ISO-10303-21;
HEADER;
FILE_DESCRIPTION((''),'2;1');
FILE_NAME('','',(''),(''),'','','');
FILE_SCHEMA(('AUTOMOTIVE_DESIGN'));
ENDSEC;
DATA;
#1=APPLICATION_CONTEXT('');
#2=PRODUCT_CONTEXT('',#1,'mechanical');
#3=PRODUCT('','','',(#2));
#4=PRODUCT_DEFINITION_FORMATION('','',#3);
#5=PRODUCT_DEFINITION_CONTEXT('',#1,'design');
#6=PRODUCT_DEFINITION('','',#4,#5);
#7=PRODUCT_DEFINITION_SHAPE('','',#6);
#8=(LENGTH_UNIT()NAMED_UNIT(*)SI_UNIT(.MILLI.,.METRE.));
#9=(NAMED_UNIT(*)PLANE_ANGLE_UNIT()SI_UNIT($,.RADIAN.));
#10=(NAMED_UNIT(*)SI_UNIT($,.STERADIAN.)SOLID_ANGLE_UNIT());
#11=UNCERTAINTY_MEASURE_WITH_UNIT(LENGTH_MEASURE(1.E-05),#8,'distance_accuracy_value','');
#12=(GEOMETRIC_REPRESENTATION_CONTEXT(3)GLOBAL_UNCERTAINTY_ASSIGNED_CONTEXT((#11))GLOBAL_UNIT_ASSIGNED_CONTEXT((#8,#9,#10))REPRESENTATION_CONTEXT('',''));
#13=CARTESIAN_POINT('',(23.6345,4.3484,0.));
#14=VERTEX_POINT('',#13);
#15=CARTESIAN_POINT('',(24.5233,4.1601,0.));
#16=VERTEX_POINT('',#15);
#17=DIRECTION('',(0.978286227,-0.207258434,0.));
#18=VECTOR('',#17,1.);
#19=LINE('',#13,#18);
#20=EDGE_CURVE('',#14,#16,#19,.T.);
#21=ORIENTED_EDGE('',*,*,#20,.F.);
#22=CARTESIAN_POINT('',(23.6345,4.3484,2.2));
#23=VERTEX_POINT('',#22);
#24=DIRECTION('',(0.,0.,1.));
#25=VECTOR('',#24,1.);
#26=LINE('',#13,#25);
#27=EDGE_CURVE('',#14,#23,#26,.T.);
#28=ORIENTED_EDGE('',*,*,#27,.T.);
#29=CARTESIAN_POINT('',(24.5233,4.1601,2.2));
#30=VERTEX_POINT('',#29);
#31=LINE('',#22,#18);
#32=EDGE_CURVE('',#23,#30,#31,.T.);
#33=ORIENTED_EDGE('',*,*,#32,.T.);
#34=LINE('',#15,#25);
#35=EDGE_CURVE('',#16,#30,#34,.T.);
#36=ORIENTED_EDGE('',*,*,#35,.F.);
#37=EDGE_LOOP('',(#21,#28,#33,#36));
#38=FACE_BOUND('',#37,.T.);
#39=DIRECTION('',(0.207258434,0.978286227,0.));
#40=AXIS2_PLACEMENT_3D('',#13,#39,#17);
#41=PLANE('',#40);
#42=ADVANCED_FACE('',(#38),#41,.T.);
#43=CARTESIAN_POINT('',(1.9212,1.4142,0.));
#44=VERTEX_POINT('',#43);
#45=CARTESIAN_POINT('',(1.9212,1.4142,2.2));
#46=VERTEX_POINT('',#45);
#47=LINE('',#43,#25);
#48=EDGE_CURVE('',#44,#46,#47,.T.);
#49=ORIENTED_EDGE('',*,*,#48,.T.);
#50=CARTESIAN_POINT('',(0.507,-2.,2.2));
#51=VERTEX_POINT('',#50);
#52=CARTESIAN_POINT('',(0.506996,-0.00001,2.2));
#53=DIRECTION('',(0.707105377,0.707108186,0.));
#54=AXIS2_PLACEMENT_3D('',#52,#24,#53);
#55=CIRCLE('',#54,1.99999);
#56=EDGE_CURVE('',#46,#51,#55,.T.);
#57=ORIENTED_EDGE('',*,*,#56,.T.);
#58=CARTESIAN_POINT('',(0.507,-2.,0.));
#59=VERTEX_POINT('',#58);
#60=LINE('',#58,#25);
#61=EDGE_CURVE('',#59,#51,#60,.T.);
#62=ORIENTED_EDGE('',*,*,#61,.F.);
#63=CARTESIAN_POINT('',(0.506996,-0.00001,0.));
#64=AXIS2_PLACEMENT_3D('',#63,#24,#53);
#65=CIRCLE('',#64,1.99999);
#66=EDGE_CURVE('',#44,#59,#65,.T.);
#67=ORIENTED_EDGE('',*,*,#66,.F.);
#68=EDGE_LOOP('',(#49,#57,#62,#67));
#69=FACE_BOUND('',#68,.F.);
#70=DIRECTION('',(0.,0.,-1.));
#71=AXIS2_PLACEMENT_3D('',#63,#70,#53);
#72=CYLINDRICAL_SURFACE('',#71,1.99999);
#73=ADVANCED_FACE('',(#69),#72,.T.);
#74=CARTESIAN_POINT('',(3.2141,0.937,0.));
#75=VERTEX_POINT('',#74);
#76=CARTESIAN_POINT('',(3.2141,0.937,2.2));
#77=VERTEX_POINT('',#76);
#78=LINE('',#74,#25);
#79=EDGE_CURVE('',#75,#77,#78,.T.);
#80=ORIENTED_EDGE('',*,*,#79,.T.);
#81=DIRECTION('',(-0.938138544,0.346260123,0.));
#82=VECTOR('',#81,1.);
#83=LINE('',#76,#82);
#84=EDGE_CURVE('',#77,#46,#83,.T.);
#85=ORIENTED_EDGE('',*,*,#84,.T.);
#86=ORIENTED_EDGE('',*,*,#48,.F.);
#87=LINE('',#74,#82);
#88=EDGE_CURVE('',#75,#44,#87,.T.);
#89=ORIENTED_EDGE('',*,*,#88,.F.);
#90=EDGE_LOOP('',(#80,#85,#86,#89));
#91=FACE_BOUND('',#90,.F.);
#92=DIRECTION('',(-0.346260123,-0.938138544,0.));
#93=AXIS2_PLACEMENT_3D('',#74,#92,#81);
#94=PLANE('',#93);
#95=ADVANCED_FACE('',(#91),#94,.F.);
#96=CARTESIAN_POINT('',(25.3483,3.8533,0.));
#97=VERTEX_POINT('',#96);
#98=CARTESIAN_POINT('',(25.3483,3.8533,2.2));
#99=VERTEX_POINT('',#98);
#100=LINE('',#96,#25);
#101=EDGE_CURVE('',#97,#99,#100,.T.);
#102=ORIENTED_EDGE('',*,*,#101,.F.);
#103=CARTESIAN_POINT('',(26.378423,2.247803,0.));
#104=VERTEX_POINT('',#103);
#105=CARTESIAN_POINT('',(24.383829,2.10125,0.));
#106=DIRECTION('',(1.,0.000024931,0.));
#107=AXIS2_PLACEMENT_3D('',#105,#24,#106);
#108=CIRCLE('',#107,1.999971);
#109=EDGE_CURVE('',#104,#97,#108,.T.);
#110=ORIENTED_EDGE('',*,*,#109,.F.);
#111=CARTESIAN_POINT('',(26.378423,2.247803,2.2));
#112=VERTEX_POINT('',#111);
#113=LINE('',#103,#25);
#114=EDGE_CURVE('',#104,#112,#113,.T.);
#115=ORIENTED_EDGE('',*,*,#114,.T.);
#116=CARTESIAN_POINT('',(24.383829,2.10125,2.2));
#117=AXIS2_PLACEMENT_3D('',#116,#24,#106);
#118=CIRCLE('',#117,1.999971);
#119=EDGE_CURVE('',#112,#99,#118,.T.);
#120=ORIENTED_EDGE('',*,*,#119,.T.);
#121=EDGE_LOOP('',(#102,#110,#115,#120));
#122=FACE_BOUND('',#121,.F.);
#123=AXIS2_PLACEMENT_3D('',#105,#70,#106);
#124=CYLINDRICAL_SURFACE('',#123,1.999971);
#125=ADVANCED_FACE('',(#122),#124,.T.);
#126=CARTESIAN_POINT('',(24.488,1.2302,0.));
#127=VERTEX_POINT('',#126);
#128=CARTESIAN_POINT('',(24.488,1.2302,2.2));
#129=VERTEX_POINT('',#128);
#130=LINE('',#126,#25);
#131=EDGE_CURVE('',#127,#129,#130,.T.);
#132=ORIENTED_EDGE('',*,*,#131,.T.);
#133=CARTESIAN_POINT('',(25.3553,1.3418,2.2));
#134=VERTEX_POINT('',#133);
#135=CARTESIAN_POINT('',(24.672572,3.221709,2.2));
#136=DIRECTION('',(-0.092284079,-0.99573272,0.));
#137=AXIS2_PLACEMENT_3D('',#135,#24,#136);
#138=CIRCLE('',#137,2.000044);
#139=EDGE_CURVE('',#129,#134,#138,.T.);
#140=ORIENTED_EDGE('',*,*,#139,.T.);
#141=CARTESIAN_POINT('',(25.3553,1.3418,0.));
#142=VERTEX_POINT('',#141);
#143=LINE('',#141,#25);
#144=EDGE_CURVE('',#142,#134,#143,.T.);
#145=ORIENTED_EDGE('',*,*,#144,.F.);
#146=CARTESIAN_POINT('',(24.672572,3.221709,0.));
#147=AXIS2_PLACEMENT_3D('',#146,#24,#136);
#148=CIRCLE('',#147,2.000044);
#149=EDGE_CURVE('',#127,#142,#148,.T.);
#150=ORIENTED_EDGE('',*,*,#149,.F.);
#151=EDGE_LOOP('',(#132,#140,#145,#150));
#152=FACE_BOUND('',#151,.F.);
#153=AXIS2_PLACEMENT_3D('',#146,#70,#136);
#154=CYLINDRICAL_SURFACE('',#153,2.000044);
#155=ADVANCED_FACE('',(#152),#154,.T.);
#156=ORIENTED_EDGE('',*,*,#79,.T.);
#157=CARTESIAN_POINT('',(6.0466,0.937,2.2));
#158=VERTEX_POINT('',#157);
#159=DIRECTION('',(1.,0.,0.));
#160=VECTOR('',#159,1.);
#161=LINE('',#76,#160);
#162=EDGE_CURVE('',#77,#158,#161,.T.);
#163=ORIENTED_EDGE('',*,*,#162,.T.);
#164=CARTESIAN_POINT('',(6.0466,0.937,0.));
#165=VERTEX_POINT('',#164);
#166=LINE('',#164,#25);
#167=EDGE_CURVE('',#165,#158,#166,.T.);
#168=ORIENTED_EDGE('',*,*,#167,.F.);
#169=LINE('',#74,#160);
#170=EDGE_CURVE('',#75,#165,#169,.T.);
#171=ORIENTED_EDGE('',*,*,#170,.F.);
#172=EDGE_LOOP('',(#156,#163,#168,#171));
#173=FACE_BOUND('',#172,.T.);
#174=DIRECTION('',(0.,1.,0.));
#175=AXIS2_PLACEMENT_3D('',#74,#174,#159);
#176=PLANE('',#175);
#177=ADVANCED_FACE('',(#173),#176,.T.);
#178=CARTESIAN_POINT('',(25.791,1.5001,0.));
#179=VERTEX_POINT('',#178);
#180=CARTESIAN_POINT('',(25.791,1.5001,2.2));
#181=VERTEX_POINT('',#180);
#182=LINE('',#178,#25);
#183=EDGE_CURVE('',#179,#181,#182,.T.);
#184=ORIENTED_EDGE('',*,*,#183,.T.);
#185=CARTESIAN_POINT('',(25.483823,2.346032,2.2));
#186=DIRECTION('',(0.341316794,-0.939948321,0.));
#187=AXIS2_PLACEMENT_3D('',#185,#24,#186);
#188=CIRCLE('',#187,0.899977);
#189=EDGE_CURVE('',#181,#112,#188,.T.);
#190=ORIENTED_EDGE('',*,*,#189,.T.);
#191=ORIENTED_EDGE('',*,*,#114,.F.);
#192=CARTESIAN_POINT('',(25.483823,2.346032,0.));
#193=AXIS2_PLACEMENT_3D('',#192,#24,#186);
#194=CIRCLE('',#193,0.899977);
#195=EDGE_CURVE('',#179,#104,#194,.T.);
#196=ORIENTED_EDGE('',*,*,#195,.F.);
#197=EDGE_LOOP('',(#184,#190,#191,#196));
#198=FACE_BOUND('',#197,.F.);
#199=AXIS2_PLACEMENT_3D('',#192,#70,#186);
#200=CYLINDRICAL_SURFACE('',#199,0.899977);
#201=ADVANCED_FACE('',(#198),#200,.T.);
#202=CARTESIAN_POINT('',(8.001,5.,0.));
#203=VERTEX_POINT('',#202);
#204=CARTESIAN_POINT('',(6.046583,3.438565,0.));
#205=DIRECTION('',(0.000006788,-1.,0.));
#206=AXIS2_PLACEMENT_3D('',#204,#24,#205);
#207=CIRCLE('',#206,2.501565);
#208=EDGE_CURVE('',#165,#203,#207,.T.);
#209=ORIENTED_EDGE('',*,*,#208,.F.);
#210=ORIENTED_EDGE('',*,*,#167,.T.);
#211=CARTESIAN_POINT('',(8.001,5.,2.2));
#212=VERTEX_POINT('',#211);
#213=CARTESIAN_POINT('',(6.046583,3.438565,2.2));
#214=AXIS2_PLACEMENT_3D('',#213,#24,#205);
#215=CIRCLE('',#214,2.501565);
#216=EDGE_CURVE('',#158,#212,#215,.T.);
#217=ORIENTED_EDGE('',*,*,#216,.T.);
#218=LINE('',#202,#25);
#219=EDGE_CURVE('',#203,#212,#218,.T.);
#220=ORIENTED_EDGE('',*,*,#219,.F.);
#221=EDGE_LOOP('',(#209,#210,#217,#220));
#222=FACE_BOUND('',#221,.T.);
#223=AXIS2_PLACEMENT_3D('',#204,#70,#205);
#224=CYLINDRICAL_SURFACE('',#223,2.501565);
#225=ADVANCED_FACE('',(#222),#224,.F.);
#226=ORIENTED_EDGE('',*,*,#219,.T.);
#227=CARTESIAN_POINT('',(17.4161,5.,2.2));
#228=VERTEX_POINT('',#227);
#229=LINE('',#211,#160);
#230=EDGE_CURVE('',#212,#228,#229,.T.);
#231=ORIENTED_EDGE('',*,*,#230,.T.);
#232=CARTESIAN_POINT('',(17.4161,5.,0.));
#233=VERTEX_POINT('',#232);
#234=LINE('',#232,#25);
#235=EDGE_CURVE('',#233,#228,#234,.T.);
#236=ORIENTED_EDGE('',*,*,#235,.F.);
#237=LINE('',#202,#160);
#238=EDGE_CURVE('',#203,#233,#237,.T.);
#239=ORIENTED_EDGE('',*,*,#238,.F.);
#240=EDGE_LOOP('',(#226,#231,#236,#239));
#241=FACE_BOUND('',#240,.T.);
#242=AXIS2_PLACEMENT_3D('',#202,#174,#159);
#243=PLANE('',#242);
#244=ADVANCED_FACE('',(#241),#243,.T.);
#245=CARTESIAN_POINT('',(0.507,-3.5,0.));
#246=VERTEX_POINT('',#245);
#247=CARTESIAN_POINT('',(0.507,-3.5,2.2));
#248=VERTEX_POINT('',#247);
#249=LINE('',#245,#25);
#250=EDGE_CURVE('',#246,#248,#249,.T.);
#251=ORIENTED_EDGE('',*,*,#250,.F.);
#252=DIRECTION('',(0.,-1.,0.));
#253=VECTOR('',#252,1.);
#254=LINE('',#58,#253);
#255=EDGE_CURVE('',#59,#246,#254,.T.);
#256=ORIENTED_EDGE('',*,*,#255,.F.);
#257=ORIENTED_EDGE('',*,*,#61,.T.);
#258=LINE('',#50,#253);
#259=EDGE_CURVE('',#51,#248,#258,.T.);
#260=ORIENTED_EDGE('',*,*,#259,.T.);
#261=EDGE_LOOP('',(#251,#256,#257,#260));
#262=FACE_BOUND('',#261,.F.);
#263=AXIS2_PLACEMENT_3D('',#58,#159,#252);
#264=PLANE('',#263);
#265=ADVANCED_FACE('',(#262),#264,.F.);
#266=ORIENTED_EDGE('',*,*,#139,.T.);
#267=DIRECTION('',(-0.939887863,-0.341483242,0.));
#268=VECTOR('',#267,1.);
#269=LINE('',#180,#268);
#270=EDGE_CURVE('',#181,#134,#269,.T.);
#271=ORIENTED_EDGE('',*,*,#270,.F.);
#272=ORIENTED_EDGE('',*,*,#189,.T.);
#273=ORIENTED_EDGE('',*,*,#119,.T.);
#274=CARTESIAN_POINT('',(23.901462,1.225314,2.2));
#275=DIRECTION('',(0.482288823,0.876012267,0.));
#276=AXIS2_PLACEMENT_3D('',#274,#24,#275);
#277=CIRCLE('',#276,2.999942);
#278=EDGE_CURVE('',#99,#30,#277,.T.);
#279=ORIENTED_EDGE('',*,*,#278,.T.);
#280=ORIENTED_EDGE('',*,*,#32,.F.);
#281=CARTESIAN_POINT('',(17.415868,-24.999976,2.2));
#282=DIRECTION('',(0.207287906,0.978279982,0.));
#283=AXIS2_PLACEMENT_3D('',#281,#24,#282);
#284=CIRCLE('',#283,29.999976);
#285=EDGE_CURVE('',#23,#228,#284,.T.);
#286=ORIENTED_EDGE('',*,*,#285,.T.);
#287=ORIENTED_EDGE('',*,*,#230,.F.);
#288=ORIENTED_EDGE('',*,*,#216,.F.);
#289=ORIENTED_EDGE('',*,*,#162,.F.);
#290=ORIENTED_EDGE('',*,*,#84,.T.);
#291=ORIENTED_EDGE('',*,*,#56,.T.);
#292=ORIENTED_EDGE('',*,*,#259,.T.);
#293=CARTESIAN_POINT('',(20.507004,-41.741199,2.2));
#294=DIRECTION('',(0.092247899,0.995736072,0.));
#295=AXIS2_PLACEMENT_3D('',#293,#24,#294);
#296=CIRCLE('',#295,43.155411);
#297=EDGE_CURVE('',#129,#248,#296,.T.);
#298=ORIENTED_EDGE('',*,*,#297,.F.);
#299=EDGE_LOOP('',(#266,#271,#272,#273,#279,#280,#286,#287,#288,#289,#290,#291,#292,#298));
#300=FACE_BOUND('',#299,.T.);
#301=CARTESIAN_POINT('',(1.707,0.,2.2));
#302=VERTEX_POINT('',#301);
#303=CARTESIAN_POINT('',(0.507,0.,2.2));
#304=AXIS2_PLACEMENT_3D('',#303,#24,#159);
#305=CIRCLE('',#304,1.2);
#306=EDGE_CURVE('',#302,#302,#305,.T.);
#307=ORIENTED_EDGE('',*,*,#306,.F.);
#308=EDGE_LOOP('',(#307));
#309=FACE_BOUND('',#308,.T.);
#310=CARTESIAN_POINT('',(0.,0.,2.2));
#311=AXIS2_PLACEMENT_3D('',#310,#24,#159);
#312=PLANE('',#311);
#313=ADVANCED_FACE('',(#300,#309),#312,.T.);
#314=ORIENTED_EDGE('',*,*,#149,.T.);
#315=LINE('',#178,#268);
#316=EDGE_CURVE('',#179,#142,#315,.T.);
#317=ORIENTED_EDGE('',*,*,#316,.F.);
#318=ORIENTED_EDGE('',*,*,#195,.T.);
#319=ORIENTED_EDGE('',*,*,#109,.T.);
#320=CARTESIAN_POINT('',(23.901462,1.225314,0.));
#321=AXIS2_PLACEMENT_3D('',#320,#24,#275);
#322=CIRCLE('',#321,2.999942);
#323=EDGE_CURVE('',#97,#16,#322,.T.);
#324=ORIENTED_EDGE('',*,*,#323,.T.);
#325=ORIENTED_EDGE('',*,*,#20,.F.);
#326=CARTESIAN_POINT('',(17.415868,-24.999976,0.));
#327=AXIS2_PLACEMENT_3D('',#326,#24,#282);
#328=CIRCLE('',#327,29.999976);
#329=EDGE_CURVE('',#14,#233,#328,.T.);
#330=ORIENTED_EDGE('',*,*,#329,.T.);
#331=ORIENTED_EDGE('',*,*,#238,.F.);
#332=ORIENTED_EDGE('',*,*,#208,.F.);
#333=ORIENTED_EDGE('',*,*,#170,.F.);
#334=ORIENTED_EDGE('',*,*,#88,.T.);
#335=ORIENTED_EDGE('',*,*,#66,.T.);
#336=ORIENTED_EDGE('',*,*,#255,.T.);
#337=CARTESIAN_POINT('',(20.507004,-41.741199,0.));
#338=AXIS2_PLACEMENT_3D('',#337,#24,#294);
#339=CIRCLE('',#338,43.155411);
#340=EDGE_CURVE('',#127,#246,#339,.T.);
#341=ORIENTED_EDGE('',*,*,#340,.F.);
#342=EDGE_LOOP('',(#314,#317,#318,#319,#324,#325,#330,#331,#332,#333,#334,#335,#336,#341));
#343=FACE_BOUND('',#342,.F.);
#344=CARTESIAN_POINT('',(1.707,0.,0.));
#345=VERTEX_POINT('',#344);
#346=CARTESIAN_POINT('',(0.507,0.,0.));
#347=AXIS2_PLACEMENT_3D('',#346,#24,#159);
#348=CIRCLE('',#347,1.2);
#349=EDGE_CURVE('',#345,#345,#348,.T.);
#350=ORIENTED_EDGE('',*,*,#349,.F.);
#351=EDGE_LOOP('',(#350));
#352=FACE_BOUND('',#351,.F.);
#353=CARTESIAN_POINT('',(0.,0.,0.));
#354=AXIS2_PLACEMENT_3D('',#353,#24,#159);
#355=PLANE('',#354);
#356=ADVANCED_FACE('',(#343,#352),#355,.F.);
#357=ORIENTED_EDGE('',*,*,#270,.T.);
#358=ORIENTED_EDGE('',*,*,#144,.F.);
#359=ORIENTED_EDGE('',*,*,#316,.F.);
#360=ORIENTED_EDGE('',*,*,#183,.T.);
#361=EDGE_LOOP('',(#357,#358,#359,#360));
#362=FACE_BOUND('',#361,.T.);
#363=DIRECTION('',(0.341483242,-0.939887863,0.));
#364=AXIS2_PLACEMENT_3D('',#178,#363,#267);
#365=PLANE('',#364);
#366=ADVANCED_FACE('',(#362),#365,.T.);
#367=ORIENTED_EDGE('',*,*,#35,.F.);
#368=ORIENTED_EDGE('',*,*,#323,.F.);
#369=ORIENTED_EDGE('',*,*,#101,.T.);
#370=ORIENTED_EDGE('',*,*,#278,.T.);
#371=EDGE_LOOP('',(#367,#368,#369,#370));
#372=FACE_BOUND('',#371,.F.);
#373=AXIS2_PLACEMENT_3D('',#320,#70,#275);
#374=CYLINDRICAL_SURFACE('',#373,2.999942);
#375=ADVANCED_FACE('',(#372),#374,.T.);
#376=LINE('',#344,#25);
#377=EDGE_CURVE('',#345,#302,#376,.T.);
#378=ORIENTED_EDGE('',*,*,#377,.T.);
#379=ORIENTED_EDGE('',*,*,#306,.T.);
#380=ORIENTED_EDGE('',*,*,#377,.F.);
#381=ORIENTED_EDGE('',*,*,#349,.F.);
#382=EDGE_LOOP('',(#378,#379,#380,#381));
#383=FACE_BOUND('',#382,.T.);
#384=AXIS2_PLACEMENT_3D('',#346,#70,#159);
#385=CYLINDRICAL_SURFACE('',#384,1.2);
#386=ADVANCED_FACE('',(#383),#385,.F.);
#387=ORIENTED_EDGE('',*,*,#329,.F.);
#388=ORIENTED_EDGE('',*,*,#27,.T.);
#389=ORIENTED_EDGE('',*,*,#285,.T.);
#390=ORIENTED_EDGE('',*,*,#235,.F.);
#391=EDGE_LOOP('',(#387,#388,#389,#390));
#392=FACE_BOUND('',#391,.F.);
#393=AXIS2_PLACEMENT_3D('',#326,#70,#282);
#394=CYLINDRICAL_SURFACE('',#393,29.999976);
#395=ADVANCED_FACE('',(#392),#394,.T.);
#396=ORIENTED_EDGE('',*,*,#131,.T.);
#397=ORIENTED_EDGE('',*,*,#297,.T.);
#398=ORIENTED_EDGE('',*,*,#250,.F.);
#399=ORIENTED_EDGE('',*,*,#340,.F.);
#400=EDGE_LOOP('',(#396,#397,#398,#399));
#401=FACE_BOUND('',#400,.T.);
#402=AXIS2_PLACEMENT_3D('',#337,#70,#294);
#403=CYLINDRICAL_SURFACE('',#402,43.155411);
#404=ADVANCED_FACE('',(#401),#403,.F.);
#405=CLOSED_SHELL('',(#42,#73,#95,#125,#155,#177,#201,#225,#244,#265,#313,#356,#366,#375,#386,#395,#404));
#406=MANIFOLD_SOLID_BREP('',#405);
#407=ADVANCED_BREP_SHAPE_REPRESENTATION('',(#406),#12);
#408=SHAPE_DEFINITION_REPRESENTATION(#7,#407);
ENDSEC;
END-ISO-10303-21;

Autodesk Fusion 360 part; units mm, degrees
sketch "Sketch1" plane through (0, 0, 0) normal (0, 0, 1) x (1, 0, 0)
  circle A0 centre (0.507, 0) radius 1.2
  line L0 (8.001, 5) -> (17.4161, 5)
  arc A1 (1.9212, 1.4142) -> (0.507, -2) centre (0.507, 0) ccw
  line L1 (0.507, -2) -> (0.507, -3.5)
  arc A2 (24.488, 1.2302) -> (0.507, -3.5) centre (20.507, -41.7412) ccw
  line L2 (37.507, -0.5557) -> (37.507, -2.0752)
  line L3 (3.2141, 0.937) -> (6.0466, 0.937)
  line L4 (3.2141, 0.937) -> (1.9212, 1.4142)
  arc A3 (6.0466, 0.937) -> (8.001, 5) centre (6.0466, 3.4386) ccw
  line L5 (23.6345, 4.3484) -> (24.5233, 4.1601)
  line L6 (26.3774, 2.9193) -> (26.3838, 2.91)
  line L7 (26.3838, 2.1013) -> (26.3838, 2.346)
  arc A4 (23.6345, 4.3484) -> (17.4161, 5) centre (17.4161, -25) ccw
  arc A5 (25.3483, 3.8533) -> (24.5233, 4.1601) centre (23.9015, 1.2253) ccw
  arc A6 (26.3838, 2.1013) -> (25.3483, 3.8533) centre (24.3838, 2.1013) ccw
  line L8 (25.791, 1.5001) -> (25.3553, 1.3418)
  arc A7 (25.791, 1.5001) -> (26.3838, 2.346) centre (25.4838, 2.346) ccw
  arc A8 (24.488, 1.2302) -> (25.3553, 1.3418) centre (24.6725, 3.2217) ccw
  dimension "d3" = 2.4
  dimension "d7" = 4
  dimension "d10" = 1.5
  dimension "d15" = 30
  dimension "d16" = 3
  dimension "d17" = 2
  dimension "d18" = 0.9
  dimension "d19" = 2
extrude "Extrude2" add sketch "Sketch1" along normal blind 2.2 contours L0 A1 L1 A2 L3 L4 A3 L5 A4 A5 A6 L8 A7 A8
